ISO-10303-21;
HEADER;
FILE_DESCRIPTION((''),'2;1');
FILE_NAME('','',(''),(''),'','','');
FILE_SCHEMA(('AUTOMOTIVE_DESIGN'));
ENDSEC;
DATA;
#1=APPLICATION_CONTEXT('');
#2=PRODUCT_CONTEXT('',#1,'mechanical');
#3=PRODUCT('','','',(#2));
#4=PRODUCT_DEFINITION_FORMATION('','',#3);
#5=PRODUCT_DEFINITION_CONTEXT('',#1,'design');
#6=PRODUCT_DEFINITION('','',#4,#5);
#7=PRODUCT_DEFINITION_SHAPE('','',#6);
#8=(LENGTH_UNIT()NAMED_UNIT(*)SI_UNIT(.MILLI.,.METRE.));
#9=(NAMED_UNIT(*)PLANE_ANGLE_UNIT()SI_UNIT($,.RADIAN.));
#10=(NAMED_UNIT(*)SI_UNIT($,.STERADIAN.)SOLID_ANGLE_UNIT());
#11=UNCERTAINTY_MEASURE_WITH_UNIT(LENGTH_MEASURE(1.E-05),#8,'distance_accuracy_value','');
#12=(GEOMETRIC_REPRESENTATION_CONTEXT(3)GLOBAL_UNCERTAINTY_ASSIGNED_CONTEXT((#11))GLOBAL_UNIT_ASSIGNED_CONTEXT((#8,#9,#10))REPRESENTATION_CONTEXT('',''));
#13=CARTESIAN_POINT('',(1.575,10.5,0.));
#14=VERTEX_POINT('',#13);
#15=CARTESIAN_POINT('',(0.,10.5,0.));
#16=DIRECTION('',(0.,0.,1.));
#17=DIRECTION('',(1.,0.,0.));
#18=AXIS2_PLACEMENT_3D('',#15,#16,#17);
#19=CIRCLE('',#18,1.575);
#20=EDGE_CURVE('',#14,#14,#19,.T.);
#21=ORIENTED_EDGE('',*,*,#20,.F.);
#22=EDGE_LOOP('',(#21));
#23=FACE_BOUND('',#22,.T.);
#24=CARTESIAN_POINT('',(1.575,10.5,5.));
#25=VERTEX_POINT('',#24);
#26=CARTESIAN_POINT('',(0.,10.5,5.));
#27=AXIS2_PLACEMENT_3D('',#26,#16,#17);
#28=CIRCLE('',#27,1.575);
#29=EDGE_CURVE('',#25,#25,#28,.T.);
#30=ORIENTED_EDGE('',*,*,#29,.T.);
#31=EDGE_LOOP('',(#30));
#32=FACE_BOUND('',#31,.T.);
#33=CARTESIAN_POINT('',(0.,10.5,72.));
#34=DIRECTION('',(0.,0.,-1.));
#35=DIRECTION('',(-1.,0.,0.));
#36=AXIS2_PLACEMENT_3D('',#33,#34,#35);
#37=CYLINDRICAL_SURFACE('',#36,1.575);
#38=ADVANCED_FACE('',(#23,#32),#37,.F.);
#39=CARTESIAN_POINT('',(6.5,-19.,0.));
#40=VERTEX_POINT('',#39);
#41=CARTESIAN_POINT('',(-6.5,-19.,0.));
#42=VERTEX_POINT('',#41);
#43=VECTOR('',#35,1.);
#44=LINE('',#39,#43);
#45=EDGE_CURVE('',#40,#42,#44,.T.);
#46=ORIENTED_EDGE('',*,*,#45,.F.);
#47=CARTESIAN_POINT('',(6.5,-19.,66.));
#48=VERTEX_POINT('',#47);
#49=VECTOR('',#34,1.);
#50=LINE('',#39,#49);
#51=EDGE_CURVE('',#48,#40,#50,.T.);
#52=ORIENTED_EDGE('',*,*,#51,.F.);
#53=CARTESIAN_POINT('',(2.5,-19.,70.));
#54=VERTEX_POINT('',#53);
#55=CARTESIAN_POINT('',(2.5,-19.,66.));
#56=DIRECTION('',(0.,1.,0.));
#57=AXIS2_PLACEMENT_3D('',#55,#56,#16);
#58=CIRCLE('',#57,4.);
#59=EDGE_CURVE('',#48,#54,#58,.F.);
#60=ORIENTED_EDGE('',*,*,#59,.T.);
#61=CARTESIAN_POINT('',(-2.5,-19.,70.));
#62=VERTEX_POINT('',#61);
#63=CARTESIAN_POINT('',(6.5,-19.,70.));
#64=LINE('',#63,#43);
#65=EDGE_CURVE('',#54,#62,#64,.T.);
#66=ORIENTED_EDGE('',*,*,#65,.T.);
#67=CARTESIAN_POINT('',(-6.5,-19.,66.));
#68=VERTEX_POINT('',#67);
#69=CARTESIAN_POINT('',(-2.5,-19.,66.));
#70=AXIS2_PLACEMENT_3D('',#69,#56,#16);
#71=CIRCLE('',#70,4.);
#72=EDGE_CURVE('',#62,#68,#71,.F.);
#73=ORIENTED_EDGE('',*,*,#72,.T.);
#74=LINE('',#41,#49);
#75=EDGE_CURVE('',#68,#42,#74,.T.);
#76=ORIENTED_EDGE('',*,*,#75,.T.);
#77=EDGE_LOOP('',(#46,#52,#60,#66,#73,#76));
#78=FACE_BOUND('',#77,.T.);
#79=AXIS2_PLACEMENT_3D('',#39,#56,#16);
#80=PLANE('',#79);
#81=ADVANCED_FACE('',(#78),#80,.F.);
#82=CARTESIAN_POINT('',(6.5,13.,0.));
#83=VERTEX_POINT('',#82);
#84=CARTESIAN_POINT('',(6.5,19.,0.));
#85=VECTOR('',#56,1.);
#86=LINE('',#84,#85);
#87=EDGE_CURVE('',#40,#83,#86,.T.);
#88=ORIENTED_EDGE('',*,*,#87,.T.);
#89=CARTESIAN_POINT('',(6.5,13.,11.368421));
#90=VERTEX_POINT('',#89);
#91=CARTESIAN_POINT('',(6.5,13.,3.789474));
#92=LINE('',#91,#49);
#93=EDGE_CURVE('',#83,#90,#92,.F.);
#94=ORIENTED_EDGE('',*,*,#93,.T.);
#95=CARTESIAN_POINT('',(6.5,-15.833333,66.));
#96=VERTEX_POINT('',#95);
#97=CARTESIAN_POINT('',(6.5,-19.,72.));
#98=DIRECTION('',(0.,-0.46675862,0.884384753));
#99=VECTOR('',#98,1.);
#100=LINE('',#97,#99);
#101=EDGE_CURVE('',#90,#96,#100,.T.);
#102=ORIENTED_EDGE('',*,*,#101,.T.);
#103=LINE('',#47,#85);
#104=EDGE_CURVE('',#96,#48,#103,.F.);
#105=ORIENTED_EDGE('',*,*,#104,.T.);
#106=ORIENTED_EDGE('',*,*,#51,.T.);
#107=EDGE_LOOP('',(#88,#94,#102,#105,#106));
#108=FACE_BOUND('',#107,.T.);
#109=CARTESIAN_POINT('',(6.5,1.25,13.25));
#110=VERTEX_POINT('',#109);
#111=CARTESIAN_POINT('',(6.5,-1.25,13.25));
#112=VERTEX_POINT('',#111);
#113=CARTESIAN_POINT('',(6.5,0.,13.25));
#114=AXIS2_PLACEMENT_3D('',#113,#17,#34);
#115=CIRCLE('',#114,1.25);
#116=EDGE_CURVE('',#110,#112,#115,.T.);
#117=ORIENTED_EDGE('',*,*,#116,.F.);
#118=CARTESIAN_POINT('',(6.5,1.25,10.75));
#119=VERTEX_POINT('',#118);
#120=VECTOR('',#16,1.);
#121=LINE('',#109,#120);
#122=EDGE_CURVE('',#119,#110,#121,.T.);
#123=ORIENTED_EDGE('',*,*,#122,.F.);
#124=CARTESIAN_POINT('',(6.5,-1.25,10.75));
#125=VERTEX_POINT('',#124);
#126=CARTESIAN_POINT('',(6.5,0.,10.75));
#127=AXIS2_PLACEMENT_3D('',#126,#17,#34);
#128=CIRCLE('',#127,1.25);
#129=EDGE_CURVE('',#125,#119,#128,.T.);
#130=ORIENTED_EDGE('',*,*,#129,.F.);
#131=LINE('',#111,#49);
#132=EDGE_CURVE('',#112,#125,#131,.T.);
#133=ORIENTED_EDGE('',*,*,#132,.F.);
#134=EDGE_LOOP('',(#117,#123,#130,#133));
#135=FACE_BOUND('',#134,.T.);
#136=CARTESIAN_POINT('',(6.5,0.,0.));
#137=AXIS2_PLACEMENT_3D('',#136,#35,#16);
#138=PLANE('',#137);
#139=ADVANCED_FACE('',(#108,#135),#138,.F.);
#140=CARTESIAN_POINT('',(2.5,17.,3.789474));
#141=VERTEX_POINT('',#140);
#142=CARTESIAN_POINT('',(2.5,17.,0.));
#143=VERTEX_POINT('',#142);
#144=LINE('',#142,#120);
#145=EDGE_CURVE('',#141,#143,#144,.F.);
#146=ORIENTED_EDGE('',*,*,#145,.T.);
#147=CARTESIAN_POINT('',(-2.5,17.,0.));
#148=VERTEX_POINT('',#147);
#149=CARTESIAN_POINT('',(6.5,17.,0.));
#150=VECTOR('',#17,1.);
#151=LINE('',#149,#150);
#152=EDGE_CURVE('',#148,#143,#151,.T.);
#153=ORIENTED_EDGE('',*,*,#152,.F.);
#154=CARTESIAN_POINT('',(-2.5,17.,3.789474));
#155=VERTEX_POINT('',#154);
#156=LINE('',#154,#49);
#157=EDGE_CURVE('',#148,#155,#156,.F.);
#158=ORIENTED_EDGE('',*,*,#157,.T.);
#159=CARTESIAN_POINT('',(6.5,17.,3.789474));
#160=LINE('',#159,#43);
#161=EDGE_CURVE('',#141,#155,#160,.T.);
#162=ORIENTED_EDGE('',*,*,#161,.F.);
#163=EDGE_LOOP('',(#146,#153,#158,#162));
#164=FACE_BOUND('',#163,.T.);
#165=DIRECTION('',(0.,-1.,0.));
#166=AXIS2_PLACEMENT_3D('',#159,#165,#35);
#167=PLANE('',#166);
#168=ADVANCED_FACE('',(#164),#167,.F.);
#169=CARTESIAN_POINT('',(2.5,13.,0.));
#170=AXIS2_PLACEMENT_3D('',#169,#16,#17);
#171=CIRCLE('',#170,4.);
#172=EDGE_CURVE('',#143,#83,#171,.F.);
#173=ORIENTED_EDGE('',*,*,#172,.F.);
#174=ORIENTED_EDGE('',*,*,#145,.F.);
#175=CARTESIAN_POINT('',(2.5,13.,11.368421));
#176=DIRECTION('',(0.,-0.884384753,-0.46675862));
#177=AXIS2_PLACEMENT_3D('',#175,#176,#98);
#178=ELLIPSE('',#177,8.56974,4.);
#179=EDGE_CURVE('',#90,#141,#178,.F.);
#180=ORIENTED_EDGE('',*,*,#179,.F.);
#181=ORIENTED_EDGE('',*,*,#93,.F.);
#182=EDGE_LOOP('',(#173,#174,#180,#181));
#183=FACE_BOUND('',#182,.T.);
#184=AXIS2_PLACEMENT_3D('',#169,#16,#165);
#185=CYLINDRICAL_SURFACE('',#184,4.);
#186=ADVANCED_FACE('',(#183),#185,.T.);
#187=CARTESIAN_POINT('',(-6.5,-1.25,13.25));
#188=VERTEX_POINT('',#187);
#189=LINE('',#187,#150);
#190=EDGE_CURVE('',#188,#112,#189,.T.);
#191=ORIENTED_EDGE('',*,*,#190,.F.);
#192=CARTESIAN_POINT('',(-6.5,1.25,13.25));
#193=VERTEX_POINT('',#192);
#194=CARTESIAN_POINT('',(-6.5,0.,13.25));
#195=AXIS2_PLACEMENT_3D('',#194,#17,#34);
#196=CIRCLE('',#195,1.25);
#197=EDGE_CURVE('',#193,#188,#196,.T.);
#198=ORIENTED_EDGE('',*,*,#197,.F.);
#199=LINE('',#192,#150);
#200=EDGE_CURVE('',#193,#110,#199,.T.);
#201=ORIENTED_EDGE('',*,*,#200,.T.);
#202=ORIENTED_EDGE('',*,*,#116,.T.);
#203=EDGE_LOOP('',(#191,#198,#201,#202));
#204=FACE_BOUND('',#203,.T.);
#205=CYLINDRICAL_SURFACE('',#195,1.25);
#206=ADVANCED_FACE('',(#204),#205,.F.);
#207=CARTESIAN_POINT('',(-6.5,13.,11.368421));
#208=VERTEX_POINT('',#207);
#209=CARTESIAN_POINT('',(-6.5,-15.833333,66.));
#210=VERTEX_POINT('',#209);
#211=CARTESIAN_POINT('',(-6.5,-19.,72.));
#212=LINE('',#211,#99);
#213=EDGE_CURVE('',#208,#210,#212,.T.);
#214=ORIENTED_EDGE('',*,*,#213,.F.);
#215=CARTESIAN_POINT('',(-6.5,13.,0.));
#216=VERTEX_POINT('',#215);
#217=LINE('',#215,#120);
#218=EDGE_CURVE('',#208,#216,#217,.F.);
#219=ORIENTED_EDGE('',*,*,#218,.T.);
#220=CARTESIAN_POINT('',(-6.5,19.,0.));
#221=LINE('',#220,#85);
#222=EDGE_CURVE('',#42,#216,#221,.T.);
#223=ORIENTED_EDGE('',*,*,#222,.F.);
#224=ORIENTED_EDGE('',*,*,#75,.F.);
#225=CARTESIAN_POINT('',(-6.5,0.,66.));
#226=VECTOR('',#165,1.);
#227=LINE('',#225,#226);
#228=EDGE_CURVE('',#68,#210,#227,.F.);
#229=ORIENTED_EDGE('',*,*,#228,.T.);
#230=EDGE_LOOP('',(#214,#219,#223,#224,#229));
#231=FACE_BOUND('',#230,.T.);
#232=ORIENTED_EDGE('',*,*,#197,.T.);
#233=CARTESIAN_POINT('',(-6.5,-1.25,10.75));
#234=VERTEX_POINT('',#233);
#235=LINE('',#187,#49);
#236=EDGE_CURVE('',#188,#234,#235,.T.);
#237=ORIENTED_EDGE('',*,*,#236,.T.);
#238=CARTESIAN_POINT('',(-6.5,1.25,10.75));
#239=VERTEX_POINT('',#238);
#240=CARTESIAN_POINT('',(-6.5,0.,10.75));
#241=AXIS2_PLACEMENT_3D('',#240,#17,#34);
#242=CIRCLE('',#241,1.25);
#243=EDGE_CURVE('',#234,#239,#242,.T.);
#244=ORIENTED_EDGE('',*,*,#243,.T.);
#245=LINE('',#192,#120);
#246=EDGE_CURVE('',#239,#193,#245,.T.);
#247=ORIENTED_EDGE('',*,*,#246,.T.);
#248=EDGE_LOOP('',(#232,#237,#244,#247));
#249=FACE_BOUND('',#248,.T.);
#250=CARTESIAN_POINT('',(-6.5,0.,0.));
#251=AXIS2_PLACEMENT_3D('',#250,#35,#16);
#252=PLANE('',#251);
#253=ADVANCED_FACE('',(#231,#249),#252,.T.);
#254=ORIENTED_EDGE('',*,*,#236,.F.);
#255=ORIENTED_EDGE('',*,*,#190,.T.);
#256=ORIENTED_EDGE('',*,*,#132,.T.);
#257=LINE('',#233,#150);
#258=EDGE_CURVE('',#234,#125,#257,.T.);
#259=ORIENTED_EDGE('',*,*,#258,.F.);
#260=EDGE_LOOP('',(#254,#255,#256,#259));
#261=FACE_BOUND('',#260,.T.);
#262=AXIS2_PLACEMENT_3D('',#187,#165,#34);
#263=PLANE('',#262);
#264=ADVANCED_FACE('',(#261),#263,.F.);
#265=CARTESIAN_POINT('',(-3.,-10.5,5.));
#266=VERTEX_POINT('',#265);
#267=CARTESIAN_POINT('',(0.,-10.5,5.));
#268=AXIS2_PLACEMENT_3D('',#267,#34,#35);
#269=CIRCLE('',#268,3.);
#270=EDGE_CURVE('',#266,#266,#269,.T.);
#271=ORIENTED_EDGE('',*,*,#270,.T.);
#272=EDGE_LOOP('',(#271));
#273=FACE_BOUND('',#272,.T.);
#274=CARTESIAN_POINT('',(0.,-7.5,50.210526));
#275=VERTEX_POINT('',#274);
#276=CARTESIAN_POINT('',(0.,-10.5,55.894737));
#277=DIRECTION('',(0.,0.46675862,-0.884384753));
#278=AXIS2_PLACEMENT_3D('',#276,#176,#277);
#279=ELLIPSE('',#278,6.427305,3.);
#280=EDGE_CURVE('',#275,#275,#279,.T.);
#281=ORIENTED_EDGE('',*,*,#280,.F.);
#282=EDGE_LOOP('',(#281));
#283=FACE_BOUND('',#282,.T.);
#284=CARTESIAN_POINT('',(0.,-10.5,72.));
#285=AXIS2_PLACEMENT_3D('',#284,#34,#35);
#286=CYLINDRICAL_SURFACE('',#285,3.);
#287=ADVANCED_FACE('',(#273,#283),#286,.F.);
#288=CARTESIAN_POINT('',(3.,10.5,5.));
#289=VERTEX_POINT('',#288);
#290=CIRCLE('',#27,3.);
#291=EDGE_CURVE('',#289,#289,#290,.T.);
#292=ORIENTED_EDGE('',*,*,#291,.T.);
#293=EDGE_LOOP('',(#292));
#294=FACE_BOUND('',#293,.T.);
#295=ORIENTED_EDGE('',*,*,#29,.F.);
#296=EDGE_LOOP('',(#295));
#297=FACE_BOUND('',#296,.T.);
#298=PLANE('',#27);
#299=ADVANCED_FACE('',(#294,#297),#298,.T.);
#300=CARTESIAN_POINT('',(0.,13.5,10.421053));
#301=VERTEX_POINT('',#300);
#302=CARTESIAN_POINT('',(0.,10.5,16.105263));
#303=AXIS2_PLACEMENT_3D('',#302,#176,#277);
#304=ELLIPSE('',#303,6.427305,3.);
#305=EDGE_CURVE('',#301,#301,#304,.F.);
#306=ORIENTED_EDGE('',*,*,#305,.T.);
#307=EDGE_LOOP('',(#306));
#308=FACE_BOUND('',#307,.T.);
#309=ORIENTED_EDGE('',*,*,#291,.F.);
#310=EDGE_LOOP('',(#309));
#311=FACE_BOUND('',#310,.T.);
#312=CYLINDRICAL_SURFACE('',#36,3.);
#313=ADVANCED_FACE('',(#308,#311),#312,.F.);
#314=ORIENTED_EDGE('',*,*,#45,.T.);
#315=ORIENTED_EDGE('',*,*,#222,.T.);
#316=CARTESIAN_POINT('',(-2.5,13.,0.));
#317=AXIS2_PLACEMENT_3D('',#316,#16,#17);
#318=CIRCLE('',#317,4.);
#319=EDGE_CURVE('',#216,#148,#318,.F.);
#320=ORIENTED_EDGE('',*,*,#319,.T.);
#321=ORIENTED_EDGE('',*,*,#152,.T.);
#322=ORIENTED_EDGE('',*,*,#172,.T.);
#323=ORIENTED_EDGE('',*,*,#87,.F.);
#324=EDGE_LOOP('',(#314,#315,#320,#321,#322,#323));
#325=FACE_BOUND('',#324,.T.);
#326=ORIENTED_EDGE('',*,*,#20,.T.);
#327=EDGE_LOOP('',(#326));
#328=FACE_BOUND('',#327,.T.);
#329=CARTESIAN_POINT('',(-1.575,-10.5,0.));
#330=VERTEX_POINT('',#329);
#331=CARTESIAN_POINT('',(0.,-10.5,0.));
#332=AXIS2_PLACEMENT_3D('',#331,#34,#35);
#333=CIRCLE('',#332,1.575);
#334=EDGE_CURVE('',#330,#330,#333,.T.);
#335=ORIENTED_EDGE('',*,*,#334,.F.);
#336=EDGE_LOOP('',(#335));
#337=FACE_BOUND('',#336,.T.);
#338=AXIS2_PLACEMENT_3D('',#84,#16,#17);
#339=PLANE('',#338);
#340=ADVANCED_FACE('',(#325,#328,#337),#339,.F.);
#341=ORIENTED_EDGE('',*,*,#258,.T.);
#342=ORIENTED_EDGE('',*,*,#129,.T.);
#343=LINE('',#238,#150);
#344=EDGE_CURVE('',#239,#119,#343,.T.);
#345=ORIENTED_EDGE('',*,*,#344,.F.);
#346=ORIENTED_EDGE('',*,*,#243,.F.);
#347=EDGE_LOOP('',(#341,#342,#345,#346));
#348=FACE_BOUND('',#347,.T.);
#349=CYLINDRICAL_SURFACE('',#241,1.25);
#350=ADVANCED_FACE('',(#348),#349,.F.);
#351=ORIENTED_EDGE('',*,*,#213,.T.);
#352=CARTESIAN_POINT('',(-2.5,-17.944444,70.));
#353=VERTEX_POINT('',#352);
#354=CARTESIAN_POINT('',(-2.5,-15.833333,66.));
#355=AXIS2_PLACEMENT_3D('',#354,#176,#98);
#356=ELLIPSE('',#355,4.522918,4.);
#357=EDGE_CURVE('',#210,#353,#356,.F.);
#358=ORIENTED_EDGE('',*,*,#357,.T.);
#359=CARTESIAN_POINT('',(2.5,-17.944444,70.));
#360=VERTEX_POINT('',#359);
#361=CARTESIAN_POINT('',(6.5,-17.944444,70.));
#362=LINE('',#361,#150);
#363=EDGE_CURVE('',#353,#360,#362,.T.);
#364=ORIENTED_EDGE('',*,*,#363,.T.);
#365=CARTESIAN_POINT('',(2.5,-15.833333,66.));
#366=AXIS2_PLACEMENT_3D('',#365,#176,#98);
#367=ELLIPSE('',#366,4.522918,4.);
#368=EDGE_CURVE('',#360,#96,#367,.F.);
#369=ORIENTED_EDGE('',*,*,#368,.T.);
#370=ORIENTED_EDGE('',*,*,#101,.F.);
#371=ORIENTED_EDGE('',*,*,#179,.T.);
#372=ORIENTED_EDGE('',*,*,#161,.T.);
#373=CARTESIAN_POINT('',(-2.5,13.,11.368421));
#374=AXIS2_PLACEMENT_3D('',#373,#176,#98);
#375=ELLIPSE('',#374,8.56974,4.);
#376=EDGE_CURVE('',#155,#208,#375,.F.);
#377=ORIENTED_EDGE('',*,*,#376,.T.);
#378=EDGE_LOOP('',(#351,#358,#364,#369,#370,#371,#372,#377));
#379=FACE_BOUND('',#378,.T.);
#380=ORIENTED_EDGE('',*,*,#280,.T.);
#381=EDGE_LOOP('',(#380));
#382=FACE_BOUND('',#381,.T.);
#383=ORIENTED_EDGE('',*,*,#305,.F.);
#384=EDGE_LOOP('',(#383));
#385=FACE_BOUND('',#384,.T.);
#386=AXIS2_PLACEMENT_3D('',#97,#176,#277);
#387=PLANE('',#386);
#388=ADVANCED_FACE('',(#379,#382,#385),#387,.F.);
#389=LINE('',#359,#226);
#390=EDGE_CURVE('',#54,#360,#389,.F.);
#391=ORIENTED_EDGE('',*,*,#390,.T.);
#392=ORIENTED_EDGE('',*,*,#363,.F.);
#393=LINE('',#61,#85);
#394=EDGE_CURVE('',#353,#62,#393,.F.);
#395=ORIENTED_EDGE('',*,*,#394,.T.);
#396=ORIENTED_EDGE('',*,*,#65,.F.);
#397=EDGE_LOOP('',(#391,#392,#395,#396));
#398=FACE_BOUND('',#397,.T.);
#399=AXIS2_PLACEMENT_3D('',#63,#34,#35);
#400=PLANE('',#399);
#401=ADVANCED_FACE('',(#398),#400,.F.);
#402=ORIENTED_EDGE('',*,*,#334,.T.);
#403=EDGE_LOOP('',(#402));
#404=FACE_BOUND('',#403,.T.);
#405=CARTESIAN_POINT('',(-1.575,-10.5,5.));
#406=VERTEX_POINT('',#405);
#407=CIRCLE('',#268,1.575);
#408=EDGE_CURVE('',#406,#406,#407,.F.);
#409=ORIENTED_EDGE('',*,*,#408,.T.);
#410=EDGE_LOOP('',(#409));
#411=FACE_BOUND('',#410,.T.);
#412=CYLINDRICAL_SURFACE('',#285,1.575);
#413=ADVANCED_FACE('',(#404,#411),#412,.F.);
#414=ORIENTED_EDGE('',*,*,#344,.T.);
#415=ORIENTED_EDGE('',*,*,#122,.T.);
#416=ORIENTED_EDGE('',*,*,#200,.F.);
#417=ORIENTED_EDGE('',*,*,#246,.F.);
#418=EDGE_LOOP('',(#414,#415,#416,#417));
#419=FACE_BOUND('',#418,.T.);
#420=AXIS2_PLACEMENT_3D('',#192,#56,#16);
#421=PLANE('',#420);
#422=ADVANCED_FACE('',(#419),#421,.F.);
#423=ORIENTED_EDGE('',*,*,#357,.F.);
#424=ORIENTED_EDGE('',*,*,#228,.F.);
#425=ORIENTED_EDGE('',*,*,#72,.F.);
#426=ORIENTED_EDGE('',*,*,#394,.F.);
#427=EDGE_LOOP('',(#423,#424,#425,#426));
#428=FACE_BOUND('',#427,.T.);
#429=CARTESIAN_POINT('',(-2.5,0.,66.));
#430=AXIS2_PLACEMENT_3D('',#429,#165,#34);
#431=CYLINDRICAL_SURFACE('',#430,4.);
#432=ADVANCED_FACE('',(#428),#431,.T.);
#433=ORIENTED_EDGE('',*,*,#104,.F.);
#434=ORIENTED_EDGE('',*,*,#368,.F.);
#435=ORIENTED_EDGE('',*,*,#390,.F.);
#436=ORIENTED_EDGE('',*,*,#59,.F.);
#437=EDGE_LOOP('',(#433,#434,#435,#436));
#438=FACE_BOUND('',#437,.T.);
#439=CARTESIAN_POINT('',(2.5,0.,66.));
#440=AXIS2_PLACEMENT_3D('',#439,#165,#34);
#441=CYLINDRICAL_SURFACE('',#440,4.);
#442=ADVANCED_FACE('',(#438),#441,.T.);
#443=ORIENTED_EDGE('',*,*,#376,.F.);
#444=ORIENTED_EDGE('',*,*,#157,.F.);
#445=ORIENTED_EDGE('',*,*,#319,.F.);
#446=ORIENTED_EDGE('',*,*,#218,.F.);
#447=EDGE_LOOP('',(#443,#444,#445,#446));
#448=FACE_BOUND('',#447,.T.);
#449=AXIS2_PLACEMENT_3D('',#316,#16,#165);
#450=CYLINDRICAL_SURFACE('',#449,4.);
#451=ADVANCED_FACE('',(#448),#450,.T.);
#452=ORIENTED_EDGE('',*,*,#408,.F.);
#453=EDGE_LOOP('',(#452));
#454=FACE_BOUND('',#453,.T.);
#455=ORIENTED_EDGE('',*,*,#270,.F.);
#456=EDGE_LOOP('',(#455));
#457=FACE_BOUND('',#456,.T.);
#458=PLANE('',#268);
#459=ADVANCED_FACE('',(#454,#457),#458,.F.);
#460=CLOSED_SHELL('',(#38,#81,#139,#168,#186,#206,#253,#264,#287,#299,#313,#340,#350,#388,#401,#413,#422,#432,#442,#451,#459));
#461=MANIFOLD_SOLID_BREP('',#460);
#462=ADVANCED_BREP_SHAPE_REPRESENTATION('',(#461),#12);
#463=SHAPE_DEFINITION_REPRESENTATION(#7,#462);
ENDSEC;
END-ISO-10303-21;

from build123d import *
from OCP.BRepFilletAPI import BRepFilletAPI_MakeChamfer

# Parameters (mm, degrees)
BOSS_EXTRUDE1_DEPTH     = 6.5
SKETCH2_R               = 1.575
CUT_EXTRUDE1_DEPTH      = 75.74790967
CUT_EXTRUDE2_START      = 5
SKETCH2_3_R             = 3
CUT_EXTRUDE2_DEPTH      = 70.74790967
CUT_EXTRUDE3_DEPTH      = 75.74790967
CUT_EXTRUDE3_DEPTH_BACK = 75.74790967
CHAMFER1_SIZE           = 2
CHAMFER1_SIZE2          = 2.26145916
CHAMFER1_SIZE2_2        = 4.284869987
FILLET2_R               = 4


with BuildPart() as part:
    # Sketch1 → Boss-Extrude1 (new, symmetric)
    with BuildSketch(Plane(origin=(0, 0, 0), x_dir=(0, 0, -1), z_dir=(1, 0, 0))):
        Polygon((0, 19), (0, -19), (-72, -19), align=None)
    extrude(amount=BOSS_EXTRUDE1_DEPTH, both=True)

    # Sketch2 → Cut-Extrude1 (cut, through all)
    with BuildSketch(Plane.XY):
        with Locations((0, 10.5)):
            Circle(SKETCH2_R)
        with Locations((0, -10.5)):
            Circle(SKETCH2_R)
    extrude(amount=CUT_EXTRUDE1_DEPTH, mode=Mode.SUBTRACT)

    # Sketch2<3> → Cut-Extrude2 (cut, through all)
    with BuildSketch(Plane.XY.offset(CUT_EXTRUDE2_START)):
        with Locations((0, 10.5)):
            Circle(SKETCH2_3_R)
        with Locations((0, -10.5)):
            Circle(SKETCH2_3_R)
    extrude(amount=CUT_EXTRUDE2_DEPTH, mode=Mode.SUBTRACT)

    # Sketch5 → Cut-Extrude3 (cut, two sides: drawn at the far end of the back side and taken through both)
    with BuildSketch(Plane(origin=(0, 0, 0), x_dir=(0, 0, -1), z_dir=(1, 0, 0)).offset(-CUT_EXTRUDE3_DEPTH_BACK)):
        with BuildLine():
            Line((-13.25, 1.25), (-10.75, 1.25))
            ThreePointArc((-10.75, 1.25), (-9.5, 0), (-10.75, -1.25))
            Line((-10.75, -1.25), (-13.25, -1.25))
            ThreePointArc((-13.25, -1.25), (-14.5, 0), (-13.25, 1.25))
        make_face()
    extrude(amount=CUT_EXTRUDE3_DEPTH + CUT_EXTRUDE3_DEPTH_BACK, mode=Mode.SUBTRACT)

    # Chamfer1: one chamfer whose edges measure the first distance from different faces: ONE call of the kernel's chamfer builder (chamfer() names one face for all edges)
    chamfer1_edges_1 = [part.edges().sort_by_distance(p)[0] for p in [
        (0, -19, 72),
    ]]
    chamfer1_side_1 = [part.faces().sort_by_distance(p)[0] for p in [
        (0, -19, 36),
    ]]
    chamfer1_edges_2 = [part.edges().sort_by_distance(p)[0] for p in [
        (0, 19, 0),
    ]]
    chamfer1_side_2 = [part.faces().sort_by_distance(p)[0] for p in [
        (0, 0, 0),
    ]]
    chamfer1 = BRepFilletAPI_MakeChamfer(part.part.solid().wrapped)
    for e in chamfer1_edges_1:
        chamfer1.Add(CHAMFER1_SIZE, CHAMFER1_SIZE2, e.wrapped, chamfer1_side_1[0].wrapped)  # the first distance lies on this face
    for e in chamfer1_edges_2:
        chamfer1.Add(CHAMFER1_SIZE, CHAMFER1_SIZE2_2, e.wrapped, chamfer1_side_2[0].wrapped)  # the first distance lies on this face
    add(Compound.cast(chamfer1.Shape()), mode=Mode.REPLACE)

    # Fillet2
    fillet2_edges = [part.edges().sort_by_distance(p)[0] for p in [
        (-6.5, 17, 1.894736842),
        (6.5, 17, 1.894736842),
        (6.5, -18.472222222, 70),
        (-6.5, -18.472222222, 70),
    ]]
    fillet(fillet2_edges, radius=FILLET2_R)


solid = part.part
